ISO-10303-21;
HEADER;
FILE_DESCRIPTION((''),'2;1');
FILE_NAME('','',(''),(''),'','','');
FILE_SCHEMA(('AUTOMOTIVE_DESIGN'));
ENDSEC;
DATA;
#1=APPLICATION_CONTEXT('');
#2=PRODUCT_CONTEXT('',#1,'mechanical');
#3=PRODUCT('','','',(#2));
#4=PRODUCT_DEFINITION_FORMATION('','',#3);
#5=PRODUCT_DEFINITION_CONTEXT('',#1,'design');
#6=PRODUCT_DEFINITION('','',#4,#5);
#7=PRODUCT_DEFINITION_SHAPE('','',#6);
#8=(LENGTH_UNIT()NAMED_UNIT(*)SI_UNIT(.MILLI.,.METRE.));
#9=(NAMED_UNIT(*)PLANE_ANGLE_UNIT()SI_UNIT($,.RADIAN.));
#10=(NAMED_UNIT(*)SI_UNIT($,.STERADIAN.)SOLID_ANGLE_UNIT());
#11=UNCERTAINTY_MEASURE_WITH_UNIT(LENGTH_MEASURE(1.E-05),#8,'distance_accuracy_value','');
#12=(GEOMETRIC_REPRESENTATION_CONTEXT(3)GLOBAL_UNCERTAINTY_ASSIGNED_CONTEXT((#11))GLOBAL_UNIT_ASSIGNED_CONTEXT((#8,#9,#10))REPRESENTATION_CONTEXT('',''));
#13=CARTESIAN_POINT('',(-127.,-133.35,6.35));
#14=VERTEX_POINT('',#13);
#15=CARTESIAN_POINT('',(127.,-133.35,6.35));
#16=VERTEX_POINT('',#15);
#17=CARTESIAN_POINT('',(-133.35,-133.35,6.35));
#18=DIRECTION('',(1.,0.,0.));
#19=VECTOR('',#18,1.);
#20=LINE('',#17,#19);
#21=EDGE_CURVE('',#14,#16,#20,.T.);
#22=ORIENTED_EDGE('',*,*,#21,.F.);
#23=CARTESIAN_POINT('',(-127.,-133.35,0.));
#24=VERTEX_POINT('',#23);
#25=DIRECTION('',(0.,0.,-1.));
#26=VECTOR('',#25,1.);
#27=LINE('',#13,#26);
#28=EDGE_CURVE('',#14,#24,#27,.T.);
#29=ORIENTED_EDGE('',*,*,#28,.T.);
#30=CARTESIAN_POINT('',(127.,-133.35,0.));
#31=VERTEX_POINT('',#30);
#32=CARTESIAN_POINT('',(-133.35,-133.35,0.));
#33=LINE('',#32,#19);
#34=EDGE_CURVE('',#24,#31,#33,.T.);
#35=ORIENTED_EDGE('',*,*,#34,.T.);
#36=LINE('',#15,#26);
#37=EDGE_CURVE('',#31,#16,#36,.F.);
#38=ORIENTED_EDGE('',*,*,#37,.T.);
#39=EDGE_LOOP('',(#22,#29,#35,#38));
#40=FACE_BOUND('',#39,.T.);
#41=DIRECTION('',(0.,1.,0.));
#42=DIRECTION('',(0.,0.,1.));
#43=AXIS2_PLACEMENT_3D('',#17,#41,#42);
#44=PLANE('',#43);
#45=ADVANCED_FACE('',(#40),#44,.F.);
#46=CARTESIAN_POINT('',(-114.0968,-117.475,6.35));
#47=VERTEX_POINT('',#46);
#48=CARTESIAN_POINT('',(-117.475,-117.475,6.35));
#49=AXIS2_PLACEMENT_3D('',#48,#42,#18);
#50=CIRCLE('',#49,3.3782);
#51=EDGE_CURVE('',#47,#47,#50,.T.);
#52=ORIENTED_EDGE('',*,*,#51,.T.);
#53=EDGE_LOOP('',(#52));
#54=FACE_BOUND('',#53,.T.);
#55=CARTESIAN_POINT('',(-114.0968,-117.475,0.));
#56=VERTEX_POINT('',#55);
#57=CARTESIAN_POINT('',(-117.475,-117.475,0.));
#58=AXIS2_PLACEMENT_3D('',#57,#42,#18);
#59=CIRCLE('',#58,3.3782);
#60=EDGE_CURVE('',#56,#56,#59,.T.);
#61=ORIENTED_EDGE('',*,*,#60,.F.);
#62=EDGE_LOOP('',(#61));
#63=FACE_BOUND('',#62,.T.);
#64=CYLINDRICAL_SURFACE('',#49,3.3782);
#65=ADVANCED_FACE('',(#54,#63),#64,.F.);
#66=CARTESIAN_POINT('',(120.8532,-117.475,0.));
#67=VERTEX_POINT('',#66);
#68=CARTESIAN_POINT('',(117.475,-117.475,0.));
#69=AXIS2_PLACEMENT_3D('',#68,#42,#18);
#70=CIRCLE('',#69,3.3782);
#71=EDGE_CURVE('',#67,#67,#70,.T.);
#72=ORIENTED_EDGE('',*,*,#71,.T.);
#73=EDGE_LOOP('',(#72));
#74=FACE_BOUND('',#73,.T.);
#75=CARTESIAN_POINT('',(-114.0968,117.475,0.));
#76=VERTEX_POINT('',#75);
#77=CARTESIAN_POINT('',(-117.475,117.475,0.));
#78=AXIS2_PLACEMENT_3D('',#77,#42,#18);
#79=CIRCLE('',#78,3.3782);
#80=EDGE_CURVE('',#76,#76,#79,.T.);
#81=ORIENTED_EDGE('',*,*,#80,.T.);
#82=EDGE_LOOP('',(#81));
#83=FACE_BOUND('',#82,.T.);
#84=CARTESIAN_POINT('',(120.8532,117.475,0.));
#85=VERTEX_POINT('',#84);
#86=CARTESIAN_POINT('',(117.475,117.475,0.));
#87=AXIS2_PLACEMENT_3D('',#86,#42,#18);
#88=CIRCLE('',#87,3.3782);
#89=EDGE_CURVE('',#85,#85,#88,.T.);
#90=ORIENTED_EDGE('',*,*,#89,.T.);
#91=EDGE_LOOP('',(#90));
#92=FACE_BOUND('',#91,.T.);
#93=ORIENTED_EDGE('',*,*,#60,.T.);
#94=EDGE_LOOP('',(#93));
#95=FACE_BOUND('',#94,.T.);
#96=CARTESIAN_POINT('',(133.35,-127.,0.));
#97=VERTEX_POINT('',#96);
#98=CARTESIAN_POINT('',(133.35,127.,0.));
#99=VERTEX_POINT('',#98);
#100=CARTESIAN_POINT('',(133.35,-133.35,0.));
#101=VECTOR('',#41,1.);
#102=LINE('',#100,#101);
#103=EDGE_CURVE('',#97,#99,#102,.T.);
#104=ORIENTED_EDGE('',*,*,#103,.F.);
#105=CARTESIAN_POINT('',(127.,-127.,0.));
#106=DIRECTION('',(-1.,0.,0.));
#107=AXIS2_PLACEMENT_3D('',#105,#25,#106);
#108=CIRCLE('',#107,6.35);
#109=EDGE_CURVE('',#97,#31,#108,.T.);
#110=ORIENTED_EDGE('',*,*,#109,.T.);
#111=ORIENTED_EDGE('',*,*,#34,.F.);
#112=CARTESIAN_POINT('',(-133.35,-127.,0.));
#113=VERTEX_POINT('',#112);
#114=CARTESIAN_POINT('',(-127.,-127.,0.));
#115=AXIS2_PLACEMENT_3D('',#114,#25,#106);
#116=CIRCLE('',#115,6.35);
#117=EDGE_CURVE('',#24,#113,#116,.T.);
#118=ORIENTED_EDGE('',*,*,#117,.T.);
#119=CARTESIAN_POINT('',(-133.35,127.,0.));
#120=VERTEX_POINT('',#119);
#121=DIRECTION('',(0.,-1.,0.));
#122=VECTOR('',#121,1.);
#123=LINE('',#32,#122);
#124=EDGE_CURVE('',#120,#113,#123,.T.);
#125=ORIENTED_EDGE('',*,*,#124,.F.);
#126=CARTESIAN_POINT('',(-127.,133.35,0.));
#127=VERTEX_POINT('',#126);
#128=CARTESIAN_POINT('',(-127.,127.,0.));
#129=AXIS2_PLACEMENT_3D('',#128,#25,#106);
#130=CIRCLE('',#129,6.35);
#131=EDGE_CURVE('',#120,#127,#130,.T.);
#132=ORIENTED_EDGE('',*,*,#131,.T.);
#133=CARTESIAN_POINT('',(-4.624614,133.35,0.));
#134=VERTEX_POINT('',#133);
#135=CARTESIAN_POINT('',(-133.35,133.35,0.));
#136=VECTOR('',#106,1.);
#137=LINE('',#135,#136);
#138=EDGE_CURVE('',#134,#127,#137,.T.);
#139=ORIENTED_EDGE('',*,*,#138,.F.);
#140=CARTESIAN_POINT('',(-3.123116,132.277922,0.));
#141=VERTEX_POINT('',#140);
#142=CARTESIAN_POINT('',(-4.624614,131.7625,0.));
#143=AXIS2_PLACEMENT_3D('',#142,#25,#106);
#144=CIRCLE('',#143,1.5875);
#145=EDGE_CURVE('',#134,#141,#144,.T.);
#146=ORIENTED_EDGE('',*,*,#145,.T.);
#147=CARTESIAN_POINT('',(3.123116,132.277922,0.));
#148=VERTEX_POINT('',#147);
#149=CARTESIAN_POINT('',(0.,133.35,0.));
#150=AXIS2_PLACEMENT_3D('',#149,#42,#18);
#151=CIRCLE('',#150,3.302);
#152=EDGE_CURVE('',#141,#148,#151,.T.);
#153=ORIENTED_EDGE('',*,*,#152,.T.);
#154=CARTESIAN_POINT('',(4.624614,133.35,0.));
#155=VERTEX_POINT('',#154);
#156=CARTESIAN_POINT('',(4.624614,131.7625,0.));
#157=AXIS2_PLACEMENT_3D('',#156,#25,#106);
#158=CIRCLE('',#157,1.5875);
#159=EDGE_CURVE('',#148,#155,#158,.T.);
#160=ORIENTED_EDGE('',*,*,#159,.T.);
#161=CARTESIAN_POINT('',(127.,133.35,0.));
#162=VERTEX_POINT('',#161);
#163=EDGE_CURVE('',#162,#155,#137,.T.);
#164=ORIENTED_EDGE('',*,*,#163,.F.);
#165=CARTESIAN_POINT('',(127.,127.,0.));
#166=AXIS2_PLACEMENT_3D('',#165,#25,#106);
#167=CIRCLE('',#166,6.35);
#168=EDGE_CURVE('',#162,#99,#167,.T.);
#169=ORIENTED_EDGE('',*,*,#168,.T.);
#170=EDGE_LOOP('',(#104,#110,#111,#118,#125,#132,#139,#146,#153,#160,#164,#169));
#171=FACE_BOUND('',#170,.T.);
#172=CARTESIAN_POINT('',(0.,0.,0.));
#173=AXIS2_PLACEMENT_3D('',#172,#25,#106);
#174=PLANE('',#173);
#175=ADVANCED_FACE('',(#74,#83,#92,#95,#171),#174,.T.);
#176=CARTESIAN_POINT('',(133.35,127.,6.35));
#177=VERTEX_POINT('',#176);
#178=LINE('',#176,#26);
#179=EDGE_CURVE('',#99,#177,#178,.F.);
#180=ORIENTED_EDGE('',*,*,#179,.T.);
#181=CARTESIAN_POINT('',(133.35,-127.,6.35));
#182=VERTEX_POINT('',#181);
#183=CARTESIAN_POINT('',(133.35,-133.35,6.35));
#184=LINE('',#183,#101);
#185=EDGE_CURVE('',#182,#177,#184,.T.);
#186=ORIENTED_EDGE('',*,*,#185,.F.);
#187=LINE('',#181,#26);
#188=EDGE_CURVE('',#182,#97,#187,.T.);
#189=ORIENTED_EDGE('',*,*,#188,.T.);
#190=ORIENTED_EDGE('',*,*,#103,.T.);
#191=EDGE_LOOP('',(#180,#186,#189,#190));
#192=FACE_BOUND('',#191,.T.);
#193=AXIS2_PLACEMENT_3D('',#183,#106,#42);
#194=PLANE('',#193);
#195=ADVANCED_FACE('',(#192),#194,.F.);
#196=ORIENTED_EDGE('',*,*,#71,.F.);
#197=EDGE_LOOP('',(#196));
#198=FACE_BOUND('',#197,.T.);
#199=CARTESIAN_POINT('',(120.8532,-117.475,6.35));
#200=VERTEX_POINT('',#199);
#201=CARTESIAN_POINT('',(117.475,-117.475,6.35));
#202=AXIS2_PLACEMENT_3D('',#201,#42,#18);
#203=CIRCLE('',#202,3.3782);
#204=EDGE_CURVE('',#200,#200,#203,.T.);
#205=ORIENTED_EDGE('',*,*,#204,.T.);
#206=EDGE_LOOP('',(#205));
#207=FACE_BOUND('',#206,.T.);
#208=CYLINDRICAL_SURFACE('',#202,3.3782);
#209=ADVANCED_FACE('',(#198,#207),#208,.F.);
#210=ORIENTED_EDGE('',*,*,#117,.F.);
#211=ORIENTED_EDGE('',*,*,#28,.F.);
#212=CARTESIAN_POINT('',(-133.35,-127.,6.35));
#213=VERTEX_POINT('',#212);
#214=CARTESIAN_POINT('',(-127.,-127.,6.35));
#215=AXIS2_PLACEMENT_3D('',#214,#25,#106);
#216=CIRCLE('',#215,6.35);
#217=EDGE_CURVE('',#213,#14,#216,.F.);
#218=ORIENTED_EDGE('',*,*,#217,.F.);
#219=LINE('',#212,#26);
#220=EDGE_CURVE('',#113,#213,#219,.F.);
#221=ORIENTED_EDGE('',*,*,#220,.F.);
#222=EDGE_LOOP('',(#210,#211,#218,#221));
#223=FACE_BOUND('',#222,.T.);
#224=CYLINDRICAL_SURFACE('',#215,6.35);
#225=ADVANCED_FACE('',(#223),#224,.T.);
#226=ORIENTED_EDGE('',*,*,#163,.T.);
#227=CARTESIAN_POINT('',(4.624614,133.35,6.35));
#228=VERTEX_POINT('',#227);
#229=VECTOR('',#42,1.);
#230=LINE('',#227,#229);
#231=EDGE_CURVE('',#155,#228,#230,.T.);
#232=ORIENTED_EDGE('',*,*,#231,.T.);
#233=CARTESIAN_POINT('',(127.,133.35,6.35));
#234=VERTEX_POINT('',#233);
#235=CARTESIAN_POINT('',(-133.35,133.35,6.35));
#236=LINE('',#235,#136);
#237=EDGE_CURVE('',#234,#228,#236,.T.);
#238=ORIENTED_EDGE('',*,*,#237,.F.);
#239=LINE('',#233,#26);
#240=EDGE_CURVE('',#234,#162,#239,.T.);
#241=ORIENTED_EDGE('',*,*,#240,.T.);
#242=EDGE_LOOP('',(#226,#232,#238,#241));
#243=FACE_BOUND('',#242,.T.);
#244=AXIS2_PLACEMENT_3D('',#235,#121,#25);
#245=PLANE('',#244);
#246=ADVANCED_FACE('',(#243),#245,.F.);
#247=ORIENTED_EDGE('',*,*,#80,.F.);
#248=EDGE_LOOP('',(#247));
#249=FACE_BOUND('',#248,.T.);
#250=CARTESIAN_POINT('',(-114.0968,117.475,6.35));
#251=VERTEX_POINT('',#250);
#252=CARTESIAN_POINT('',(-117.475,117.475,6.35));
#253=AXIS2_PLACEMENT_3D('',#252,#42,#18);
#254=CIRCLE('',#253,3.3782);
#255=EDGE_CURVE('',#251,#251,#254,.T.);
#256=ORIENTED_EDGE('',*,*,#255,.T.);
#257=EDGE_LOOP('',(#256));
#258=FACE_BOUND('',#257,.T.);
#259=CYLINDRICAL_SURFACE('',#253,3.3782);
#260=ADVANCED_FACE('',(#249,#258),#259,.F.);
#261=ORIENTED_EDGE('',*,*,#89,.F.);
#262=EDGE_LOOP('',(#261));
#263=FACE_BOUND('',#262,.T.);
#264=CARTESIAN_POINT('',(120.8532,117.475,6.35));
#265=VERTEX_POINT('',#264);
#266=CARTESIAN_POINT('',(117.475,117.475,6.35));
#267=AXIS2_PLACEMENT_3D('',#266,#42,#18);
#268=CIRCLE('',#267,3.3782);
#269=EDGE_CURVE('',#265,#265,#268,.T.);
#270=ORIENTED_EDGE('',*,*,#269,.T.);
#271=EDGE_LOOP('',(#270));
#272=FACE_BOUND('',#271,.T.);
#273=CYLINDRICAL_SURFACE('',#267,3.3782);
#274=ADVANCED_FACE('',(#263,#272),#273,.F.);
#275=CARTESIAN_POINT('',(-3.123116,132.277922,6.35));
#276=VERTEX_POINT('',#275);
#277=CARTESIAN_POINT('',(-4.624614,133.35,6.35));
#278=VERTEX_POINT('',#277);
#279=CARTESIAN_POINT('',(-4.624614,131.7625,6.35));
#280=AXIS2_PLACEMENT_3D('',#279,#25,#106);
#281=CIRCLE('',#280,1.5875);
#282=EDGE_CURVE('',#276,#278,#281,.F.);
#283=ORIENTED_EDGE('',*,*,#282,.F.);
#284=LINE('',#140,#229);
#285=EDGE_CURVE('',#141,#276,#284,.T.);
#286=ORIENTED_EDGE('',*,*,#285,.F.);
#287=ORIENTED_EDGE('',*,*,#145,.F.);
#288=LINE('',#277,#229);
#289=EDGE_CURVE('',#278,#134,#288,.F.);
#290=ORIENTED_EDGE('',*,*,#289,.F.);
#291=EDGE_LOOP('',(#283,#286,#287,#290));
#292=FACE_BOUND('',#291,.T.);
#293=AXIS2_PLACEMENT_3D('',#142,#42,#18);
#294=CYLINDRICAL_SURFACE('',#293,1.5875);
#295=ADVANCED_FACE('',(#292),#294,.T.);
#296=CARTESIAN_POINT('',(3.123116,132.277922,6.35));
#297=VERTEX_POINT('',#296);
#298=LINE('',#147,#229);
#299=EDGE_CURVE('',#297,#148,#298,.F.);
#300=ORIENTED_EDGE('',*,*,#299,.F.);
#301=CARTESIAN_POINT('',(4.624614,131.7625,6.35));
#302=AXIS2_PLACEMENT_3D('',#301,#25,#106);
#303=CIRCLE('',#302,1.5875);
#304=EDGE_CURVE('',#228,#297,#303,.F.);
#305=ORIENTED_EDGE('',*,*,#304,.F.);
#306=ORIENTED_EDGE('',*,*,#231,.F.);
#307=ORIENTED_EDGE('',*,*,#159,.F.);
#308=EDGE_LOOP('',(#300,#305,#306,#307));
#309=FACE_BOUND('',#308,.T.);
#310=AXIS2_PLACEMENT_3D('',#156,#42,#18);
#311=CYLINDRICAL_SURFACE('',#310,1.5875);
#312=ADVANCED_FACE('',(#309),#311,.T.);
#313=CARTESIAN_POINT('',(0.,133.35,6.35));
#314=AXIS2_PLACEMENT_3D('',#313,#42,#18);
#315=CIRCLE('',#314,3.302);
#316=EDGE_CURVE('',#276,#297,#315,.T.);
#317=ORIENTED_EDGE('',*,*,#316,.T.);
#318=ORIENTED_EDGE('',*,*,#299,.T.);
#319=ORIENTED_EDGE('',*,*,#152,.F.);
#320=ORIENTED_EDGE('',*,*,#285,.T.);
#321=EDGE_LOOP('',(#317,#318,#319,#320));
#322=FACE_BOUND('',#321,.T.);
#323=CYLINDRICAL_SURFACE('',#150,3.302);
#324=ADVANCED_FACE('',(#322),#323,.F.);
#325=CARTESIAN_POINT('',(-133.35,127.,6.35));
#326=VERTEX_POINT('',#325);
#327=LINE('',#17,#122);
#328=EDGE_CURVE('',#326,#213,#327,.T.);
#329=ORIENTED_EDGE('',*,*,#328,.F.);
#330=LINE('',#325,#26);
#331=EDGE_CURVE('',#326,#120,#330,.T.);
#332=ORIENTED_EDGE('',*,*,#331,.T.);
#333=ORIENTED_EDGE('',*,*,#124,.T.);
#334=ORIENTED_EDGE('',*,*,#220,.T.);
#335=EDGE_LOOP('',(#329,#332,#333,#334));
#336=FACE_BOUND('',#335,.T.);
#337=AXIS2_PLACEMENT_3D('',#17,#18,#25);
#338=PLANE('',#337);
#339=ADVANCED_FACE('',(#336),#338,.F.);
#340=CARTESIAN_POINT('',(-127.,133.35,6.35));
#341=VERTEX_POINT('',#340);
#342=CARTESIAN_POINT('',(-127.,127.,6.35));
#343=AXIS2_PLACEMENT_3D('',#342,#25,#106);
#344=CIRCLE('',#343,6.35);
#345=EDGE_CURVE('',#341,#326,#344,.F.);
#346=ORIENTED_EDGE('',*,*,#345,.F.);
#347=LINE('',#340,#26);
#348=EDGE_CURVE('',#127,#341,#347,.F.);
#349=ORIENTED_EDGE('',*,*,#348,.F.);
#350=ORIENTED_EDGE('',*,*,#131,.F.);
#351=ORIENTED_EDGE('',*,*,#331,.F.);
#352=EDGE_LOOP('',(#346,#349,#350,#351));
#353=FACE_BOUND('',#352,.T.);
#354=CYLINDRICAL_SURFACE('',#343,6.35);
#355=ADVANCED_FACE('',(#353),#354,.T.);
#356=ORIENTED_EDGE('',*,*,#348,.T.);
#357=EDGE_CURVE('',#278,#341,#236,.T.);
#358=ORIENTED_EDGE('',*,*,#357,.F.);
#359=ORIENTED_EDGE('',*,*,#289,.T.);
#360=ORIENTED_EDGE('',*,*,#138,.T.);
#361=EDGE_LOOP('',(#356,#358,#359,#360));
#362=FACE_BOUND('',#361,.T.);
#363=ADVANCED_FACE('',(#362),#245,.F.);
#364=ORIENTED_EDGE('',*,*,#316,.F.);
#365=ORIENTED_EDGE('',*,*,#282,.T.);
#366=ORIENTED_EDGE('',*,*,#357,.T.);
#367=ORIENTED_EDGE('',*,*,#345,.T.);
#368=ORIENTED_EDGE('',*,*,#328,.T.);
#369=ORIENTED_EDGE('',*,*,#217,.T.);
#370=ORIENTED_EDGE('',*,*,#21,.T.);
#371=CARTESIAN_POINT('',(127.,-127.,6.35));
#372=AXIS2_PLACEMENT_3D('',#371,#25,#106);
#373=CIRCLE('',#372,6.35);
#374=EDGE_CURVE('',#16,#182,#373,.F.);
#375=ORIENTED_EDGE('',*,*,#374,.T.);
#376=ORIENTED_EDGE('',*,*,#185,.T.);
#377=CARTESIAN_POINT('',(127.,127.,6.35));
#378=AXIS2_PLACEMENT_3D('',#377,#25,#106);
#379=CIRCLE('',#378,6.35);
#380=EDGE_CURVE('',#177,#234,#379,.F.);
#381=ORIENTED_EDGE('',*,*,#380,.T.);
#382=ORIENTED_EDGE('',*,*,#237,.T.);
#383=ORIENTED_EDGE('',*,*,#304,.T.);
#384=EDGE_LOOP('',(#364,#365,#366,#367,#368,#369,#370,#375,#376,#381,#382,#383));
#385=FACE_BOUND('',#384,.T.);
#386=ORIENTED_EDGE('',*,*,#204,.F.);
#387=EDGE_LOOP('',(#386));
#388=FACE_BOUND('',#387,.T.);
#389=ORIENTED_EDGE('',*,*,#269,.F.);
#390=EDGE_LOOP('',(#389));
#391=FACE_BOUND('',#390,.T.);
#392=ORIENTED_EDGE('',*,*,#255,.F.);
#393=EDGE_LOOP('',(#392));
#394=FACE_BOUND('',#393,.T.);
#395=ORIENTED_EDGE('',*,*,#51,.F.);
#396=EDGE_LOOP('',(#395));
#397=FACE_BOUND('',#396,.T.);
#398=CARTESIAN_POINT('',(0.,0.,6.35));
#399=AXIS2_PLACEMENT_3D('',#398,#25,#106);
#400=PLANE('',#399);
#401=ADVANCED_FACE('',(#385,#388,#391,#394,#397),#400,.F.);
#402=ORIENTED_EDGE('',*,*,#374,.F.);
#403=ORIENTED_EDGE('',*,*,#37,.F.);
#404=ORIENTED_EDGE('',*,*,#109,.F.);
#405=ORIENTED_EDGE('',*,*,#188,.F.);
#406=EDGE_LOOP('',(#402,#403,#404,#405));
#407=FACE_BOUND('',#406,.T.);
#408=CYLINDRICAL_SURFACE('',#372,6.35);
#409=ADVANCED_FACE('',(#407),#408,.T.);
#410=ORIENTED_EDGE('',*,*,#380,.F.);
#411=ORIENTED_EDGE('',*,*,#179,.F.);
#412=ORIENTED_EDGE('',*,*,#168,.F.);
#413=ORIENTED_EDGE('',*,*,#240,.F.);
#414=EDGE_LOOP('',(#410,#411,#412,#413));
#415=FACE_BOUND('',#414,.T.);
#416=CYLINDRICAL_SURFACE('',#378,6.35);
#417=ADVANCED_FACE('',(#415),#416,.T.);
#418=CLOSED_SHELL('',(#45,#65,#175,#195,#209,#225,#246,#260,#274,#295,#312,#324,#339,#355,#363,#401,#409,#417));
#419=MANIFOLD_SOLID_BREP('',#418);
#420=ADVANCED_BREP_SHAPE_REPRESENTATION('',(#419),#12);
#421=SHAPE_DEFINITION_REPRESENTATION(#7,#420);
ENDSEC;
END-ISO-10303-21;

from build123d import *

# Parameters (mm, degrees)
SKETCH1_W               = 266.7
SKETCH1_H               = 266.7
BOSS_EXTRUDE1_DEPTH     = 6.35
F_1_4_CLEARANCE_HOLE1_D = 6.7564
FILLET1_R               = 6.35
SKETCH4_R               = 3.302
CUT_EXTRUDE1_DEPTH      = 7.35
FILLET2_R               = 1.5875


with BuildPart() as part:
    # Sketch1 → Boss-Extrude1 (new body)
    with BuildSketch(Plane.XY):
        Rectangle(SKETCH1_W, SKETCH1_H)
    extrude(amount=BOSS_EXTRUDE1_DEPTH)

    # 1/4 Clearance Hole1 (through all)
    with Locations(Plane.XY.offset(6.35)):
        with Locations((-117.475, 117.475), (-117.475, -117.475), (117.475, -117.475), (117.475, 117.475)):
            Hole(F_1_4_CLEARANCE_HOLE1_D / 2)

    # Fillet1
    fillet1_edges = [part.edges().sort_by_distance(p)[0] for p in [
        (133.35, -133.35, 3.175),
        (-133.35, -133.35, 3.175),
        (-133.35, 133.35, 3.175),
        (133.35, 133.35, 3.175),
    ]]
    fillet(fillet1_edges, radius=FILLET1_R)

    # Sketch4 → Cut-Extrude1 (cut, through all)
    with BuildSketch(Plane.XY.offset(6.35)):
        with Locations((0, 133.35)):
            Circle(SKETCH4_R)
    extrude(amount=-CUT_EXTRUDE1_DEPTH, mode=Mode.SUBTRACT)

    # Fillet2
    fillet2_edges = [part.edges().sort_by_distance(p)[0] for p in [
        (-3.302, 133.35, 3.175),
        (3.302, 133.35, 3.175),
    ]]
    fillet(fillet2_edges, radius=FILLET2_R)


solid = part.part
